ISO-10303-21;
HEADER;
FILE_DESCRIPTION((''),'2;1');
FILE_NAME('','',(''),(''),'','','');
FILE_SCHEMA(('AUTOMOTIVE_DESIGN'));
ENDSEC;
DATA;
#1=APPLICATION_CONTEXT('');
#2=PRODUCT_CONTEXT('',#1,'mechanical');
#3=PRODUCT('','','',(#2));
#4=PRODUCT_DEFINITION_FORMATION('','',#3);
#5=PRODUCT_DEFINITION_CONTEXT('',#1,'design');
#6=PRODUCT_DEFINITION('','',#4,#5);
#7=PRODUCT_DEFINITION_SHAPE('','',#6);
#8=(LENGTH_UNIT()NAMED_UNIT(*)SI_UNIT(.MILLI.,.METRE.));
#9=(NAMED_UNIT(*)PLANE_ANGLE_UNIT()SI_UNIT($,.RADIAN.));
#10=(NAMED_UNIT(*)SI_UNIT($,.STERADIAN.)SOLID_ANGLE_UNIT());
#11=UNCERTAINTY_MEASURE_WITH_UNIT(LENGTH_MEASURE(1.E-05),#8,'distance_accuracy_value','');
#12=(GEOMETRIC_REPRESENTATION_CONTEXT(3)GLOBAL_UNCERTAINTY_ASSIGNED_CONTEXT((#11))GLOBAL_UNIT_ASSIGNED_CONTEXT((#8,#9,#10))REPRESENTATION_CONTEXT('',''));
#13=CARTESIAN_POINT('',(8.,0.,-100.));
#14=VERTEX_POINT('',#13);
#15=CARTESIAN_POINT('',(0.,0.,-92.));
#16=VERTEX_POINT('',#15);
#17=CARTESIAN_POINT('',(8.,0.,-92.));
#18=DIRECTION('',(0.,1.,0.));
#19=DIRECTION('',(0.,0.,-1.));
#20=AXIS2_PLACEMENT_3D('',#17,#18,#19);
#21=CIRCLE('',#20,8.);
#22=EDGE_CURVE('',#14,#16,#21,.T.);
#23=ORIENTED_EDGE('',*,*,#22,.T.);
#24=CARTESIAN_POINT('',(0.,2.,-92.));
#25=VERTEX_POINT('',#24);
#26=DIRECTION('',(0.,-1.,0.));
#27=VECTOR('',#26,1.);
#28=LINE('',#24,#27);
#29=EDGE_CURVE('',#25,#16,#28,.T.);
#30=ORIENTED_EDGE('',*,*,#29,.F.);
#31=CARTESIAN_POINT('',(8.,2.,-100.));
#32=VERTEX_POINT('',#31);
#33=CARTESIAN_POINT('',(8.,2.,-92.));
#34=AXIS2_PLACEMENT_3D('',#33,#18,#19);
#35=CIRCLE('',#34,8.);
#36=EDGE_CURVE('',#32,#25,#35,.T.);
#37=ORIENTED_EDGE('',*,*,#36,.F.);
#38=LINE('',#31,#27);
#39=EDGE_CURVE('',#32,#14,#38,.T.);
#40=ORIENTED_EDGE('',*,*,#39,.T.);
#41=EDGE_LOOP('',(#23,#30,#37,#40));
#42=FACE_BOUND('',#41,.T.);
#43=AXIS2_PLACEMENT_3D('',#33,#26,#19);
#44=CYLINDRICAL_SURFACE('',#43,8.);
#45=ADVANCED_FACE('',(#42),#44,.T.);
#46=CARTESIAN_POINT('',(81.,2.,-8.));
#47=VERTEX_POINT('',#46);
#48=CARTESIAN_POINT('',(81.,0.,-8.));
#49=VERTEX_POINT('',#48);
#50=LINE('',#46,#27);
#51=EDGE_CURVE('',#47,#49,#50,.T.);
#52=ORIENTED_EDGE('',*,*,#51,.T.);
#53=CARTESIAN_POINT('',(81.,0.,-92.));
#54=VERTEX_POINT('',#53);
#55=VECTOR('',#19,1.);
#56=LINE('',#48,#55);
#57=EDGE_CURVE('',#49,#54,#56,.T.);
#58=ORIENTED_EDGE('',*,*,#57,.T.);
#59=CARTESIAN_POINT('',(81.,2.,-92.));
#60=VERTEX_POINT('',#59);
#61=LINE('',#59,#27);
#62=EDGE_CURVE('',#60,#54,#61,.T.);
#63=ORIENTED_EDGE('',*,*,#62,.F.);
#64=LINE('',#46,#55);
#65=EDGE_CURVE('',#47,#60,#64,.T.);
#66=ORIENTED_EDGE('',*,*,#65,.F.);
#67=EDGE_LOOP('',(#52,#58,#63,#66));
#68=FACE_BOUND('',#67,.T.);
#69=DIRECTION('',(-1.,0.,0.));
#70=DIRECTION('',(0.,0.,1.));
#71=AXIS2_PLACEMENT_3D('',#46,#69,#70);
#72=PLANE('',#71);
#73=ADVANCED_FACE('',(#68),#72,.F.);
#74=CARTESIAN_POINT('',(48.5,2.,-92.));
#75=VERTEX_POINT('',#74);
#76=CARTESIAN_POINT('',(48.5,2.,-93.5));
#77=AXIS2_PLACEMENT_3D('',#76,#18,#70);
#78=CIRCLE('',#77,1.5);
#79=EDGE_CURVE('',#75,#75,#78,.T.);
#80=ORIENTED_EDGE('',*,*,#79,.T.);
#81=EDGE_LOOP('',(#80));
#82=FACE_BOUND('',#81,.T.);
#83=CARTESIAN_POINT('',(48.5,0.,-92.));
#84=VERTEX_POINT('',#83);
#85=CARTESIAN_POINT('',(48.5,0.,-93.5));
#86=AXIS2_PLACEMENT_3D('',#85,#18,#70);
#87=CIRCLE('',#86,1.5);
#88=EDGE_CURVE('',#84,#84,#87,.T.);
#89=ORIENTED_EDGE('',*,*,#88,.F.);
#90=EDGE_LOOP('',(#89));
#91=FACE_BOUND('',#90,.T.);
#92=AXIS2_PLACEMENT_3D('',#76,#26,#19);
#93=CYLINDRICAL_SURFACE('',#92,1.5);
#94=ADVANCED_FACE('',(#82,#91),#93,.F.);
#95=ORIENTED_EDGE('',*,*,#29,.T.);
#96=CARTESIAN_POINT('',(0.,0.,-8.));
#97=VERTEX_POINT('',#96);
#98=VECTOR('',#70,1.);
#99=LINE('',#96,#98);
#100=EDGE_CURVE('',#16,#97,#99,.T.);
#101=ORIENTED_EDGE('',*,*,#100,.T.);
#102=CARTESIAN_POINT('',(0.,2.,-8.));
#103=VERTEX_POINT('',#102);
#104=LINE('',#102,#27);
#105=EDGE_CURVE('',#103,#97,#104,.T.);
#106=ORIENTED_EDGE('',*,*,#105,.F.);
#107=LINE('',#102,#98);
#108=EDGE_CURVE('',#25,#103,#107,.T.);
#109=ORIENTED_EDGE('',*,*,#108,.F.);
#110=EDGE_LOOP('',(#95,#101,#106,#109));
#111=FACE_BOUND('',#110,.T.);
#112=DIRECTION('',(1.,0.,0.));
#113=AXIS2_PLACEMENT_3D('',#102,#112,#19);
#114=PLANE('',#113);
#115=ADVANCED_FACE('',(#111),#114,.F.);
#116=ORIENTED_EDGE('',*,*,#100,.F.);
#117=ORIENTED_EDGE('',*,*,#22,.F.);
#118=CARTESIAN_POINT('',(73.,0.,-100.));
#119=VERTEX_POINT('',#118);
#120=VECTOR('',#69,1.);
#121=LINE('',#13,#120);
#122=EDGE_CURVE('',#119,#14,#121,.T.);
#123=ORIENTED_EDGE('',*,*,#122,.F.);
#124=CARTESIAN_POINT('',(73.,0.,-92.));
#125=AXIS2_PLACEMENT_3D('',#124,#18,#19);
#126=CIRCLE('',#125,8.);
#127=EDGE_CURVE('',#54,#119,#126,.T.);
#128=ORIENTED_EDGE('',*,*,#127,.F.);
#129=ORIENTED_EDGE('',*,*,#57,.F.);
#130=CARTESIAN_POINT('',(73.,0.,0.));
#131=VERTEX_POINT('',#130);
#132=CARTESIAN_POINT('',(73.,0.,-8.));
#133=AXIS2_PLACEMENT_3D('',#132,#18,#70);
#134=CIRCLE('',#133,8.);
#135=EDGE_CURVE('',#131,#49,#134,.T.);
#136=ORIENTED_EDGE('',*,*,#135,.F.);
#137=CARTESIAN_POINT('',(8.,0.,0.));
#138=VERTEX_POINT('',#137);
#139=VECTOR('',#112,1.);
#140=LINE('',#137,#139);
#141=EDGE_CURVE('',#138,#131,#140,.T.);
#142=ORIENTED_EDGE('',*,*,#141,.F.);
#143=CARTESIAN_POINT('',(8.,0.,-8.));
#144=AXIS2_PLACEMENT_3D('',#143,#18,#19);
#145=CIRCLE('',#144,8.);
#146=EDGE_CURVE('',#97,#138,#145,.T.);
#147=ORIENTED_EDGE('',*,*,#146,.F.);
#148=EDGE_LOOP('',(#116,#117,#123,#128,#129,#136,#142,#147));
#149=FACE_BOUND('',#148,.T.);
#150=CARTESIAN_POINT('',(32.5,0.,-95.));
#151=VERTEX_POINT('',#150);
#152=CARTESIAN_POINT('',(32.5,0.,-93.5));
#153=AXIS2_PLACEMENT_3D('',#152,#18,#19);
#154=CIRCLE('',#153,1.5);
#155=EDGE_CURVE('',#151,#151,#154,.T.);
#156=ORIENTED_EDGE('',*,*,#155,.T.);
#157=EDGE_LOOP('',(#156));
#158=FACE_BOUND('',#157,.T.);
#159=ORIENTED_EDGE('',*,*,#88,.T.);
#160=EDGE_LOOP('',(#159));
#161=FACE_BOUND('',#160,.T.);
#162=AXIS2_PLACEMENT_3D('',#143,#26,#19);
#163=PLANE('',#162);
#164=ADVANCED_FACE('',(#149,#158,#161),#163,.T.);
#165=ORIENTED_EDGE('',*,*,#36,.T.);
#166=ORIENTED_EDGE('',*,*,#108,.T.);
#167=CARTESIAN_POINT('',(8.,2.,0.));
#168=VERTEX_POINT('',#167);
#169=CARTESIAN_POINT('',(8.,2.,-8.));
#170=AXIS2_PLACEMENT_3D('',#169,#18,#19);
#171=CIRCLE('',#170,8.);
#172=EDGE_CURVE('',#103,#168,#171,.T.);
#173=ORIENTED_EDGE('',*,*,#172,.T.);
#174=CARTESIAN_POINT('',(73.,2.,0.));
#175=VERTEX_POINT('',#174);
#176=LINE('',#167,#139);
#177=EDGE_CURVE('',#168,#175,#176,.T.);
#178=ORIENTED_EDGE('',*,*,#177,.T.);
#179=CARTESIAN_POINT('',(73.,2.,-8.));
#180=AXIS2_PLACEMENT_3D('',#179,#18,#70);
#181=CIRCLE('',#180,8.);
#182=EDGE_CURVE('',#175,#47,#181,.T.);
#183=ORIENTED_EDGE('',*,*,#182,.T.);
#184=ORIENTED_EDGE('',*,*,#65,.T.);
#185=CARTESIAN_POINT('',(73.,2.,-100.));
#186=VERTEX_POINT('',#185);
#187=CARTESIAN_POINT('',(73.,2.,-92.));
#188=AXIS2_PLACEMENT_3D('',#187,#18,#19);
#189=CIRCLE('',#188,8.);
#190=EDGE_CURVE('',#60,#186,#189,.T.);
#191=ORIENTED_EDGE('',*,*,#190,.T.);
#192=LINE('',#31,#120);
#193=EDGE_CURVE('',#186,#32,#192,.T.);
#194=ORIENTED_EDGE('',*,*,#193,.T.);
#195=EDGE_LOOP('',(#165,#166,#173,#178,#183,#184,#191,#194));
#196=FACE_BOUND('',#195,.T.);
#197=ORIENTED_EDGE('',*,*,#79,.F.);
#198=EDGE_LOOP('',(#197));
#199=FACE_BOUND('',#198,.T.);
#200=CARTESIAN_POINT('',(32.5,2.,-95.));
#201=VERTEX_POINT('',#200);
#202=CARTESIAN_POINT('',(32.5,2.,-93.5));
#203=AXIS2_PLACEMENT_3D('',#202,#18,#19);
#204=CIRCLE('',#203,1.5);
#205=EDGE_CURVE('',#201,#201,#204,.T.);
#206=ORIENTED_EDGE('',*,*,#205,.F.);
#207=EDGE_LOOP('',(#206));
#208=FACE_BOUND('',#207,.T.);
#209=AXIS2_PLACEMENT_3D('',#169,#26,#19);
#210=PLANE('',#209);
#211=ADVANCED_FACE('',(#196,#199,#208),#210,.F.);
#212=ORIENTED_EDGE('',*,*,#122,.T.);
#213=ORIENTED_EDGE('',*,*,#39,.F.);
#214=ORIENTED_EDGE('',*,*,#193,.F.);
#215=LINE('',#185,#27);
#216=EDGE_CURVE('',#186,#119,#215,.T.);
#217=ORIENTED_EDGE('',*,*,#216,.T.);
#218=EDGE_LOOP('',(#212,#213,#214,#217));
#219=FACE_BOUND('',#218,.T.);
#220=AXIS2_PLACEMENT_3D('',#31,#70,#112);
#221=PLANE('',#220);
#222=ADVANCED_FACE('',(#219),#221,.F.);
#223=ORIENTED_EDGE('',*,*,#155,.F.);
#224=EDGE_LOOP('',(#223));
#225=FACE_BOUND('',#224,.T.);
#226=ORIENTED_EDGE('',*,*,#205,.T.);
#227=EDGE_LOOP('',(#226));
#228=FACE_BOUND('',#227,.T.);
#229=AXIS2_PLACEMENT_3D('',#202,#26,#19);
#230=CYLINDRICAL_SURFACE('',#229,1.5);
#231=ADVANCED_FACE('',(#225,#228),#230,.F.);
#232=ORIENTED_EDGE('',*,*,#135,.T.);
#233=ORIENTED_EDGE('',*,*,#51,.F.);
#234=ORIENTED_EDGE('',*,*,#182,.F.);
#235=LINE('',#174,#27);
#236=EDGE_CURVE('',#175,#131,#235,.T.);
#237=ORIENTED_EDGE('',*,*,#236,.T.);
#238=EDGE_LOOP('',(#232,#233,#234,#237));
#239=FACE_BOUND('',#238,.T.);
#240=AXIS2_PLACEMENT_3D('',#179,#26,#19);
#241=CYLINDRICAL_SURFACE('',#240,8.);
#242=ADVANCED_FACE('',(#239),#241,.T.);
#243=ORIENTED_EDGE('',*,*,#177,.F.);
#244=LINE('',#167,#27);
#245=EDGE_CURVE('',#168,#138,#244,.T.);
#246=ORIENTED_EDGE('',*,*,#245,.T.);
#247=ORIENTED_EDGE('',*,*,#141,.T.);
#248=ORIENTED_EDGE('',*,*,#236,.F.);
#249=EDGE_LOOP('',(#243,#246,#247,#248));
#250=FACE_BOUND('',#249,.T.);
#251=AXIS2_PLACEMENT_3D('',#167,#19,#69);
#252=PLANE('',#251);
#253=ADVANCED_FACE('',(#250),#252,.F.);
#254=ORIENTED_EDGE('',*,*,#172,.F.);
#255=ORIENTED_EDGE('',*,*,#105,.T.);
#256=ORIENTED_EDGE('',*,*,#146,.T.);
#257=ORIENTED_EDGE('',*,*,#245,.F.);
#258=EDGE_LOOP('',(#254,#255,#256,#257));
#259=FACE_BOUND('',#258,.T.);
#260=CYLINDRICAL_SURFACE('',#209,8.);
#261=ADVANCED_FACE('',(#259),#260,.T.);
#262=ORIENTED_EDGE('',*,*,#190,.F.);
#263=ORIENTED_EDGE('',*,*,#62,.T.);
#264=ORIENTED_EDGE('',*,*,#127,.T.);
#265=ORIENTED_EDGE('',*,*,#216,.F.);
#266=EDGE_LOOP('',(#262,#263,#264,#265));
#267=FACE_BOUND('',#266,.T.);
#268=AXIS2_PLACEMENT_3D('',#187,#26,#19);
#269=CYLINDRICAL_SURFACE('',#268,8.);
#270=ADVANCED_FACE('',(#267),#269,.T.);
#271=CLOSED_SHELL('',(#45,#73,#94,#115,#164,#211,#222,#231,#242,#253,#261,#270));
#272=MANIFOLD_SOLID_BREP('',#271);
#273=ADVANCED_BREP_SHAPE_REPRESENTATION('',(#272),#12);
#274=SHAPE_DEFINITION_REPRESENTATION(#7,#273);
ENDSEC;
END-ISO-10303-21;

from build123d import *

# Parameters (mm, degrees)
SKETCH1_R           = 1.5
BOSS_EXTRUDE1_DEPTH = 2


with BuildPart() as part:
    # Sketch1 → Boss-Extrude1 (new body)
    with BuildSketch(Plane(origin=(0, 0, 0), x_dir=(1, 0, 0), z_dir=(0, 1, 0))):
        with BuildLine():
            Line((8, 0), (73, 0))
            ThreePointArc((73, 0), (78.656854249, 2.343145751), (81, 8))
            Line((81, 8), (81, 92))
            ThreePointArc((81, 92), (78.656854249, 97.656854249), (73, 100))
            Line((73, 100), (8, 100))
            ThreePointArc((8, 100), (2.343145751, 97.656854249), (0, 92))
            Line((0, 92), (0, 8))
            ThreePointArc((0, 8), (2.343145751, 2.343145751), (8, 0))
        make_face()
        with Locations(Location((48.5, 93.5, 0), (0, 0, 270))):
            Circle(SKETCH1_R, mode=Mode.SUBTRACT)
        with Locations(Location((32.5, 93.5, 0), (0, 0, 90))):
            Circle(SKETCH1_R, mode=Mode.SUBTRACT)
    extrude(amount=BOSS_EXTRUDE1_DEPTH)


solid = part.part
